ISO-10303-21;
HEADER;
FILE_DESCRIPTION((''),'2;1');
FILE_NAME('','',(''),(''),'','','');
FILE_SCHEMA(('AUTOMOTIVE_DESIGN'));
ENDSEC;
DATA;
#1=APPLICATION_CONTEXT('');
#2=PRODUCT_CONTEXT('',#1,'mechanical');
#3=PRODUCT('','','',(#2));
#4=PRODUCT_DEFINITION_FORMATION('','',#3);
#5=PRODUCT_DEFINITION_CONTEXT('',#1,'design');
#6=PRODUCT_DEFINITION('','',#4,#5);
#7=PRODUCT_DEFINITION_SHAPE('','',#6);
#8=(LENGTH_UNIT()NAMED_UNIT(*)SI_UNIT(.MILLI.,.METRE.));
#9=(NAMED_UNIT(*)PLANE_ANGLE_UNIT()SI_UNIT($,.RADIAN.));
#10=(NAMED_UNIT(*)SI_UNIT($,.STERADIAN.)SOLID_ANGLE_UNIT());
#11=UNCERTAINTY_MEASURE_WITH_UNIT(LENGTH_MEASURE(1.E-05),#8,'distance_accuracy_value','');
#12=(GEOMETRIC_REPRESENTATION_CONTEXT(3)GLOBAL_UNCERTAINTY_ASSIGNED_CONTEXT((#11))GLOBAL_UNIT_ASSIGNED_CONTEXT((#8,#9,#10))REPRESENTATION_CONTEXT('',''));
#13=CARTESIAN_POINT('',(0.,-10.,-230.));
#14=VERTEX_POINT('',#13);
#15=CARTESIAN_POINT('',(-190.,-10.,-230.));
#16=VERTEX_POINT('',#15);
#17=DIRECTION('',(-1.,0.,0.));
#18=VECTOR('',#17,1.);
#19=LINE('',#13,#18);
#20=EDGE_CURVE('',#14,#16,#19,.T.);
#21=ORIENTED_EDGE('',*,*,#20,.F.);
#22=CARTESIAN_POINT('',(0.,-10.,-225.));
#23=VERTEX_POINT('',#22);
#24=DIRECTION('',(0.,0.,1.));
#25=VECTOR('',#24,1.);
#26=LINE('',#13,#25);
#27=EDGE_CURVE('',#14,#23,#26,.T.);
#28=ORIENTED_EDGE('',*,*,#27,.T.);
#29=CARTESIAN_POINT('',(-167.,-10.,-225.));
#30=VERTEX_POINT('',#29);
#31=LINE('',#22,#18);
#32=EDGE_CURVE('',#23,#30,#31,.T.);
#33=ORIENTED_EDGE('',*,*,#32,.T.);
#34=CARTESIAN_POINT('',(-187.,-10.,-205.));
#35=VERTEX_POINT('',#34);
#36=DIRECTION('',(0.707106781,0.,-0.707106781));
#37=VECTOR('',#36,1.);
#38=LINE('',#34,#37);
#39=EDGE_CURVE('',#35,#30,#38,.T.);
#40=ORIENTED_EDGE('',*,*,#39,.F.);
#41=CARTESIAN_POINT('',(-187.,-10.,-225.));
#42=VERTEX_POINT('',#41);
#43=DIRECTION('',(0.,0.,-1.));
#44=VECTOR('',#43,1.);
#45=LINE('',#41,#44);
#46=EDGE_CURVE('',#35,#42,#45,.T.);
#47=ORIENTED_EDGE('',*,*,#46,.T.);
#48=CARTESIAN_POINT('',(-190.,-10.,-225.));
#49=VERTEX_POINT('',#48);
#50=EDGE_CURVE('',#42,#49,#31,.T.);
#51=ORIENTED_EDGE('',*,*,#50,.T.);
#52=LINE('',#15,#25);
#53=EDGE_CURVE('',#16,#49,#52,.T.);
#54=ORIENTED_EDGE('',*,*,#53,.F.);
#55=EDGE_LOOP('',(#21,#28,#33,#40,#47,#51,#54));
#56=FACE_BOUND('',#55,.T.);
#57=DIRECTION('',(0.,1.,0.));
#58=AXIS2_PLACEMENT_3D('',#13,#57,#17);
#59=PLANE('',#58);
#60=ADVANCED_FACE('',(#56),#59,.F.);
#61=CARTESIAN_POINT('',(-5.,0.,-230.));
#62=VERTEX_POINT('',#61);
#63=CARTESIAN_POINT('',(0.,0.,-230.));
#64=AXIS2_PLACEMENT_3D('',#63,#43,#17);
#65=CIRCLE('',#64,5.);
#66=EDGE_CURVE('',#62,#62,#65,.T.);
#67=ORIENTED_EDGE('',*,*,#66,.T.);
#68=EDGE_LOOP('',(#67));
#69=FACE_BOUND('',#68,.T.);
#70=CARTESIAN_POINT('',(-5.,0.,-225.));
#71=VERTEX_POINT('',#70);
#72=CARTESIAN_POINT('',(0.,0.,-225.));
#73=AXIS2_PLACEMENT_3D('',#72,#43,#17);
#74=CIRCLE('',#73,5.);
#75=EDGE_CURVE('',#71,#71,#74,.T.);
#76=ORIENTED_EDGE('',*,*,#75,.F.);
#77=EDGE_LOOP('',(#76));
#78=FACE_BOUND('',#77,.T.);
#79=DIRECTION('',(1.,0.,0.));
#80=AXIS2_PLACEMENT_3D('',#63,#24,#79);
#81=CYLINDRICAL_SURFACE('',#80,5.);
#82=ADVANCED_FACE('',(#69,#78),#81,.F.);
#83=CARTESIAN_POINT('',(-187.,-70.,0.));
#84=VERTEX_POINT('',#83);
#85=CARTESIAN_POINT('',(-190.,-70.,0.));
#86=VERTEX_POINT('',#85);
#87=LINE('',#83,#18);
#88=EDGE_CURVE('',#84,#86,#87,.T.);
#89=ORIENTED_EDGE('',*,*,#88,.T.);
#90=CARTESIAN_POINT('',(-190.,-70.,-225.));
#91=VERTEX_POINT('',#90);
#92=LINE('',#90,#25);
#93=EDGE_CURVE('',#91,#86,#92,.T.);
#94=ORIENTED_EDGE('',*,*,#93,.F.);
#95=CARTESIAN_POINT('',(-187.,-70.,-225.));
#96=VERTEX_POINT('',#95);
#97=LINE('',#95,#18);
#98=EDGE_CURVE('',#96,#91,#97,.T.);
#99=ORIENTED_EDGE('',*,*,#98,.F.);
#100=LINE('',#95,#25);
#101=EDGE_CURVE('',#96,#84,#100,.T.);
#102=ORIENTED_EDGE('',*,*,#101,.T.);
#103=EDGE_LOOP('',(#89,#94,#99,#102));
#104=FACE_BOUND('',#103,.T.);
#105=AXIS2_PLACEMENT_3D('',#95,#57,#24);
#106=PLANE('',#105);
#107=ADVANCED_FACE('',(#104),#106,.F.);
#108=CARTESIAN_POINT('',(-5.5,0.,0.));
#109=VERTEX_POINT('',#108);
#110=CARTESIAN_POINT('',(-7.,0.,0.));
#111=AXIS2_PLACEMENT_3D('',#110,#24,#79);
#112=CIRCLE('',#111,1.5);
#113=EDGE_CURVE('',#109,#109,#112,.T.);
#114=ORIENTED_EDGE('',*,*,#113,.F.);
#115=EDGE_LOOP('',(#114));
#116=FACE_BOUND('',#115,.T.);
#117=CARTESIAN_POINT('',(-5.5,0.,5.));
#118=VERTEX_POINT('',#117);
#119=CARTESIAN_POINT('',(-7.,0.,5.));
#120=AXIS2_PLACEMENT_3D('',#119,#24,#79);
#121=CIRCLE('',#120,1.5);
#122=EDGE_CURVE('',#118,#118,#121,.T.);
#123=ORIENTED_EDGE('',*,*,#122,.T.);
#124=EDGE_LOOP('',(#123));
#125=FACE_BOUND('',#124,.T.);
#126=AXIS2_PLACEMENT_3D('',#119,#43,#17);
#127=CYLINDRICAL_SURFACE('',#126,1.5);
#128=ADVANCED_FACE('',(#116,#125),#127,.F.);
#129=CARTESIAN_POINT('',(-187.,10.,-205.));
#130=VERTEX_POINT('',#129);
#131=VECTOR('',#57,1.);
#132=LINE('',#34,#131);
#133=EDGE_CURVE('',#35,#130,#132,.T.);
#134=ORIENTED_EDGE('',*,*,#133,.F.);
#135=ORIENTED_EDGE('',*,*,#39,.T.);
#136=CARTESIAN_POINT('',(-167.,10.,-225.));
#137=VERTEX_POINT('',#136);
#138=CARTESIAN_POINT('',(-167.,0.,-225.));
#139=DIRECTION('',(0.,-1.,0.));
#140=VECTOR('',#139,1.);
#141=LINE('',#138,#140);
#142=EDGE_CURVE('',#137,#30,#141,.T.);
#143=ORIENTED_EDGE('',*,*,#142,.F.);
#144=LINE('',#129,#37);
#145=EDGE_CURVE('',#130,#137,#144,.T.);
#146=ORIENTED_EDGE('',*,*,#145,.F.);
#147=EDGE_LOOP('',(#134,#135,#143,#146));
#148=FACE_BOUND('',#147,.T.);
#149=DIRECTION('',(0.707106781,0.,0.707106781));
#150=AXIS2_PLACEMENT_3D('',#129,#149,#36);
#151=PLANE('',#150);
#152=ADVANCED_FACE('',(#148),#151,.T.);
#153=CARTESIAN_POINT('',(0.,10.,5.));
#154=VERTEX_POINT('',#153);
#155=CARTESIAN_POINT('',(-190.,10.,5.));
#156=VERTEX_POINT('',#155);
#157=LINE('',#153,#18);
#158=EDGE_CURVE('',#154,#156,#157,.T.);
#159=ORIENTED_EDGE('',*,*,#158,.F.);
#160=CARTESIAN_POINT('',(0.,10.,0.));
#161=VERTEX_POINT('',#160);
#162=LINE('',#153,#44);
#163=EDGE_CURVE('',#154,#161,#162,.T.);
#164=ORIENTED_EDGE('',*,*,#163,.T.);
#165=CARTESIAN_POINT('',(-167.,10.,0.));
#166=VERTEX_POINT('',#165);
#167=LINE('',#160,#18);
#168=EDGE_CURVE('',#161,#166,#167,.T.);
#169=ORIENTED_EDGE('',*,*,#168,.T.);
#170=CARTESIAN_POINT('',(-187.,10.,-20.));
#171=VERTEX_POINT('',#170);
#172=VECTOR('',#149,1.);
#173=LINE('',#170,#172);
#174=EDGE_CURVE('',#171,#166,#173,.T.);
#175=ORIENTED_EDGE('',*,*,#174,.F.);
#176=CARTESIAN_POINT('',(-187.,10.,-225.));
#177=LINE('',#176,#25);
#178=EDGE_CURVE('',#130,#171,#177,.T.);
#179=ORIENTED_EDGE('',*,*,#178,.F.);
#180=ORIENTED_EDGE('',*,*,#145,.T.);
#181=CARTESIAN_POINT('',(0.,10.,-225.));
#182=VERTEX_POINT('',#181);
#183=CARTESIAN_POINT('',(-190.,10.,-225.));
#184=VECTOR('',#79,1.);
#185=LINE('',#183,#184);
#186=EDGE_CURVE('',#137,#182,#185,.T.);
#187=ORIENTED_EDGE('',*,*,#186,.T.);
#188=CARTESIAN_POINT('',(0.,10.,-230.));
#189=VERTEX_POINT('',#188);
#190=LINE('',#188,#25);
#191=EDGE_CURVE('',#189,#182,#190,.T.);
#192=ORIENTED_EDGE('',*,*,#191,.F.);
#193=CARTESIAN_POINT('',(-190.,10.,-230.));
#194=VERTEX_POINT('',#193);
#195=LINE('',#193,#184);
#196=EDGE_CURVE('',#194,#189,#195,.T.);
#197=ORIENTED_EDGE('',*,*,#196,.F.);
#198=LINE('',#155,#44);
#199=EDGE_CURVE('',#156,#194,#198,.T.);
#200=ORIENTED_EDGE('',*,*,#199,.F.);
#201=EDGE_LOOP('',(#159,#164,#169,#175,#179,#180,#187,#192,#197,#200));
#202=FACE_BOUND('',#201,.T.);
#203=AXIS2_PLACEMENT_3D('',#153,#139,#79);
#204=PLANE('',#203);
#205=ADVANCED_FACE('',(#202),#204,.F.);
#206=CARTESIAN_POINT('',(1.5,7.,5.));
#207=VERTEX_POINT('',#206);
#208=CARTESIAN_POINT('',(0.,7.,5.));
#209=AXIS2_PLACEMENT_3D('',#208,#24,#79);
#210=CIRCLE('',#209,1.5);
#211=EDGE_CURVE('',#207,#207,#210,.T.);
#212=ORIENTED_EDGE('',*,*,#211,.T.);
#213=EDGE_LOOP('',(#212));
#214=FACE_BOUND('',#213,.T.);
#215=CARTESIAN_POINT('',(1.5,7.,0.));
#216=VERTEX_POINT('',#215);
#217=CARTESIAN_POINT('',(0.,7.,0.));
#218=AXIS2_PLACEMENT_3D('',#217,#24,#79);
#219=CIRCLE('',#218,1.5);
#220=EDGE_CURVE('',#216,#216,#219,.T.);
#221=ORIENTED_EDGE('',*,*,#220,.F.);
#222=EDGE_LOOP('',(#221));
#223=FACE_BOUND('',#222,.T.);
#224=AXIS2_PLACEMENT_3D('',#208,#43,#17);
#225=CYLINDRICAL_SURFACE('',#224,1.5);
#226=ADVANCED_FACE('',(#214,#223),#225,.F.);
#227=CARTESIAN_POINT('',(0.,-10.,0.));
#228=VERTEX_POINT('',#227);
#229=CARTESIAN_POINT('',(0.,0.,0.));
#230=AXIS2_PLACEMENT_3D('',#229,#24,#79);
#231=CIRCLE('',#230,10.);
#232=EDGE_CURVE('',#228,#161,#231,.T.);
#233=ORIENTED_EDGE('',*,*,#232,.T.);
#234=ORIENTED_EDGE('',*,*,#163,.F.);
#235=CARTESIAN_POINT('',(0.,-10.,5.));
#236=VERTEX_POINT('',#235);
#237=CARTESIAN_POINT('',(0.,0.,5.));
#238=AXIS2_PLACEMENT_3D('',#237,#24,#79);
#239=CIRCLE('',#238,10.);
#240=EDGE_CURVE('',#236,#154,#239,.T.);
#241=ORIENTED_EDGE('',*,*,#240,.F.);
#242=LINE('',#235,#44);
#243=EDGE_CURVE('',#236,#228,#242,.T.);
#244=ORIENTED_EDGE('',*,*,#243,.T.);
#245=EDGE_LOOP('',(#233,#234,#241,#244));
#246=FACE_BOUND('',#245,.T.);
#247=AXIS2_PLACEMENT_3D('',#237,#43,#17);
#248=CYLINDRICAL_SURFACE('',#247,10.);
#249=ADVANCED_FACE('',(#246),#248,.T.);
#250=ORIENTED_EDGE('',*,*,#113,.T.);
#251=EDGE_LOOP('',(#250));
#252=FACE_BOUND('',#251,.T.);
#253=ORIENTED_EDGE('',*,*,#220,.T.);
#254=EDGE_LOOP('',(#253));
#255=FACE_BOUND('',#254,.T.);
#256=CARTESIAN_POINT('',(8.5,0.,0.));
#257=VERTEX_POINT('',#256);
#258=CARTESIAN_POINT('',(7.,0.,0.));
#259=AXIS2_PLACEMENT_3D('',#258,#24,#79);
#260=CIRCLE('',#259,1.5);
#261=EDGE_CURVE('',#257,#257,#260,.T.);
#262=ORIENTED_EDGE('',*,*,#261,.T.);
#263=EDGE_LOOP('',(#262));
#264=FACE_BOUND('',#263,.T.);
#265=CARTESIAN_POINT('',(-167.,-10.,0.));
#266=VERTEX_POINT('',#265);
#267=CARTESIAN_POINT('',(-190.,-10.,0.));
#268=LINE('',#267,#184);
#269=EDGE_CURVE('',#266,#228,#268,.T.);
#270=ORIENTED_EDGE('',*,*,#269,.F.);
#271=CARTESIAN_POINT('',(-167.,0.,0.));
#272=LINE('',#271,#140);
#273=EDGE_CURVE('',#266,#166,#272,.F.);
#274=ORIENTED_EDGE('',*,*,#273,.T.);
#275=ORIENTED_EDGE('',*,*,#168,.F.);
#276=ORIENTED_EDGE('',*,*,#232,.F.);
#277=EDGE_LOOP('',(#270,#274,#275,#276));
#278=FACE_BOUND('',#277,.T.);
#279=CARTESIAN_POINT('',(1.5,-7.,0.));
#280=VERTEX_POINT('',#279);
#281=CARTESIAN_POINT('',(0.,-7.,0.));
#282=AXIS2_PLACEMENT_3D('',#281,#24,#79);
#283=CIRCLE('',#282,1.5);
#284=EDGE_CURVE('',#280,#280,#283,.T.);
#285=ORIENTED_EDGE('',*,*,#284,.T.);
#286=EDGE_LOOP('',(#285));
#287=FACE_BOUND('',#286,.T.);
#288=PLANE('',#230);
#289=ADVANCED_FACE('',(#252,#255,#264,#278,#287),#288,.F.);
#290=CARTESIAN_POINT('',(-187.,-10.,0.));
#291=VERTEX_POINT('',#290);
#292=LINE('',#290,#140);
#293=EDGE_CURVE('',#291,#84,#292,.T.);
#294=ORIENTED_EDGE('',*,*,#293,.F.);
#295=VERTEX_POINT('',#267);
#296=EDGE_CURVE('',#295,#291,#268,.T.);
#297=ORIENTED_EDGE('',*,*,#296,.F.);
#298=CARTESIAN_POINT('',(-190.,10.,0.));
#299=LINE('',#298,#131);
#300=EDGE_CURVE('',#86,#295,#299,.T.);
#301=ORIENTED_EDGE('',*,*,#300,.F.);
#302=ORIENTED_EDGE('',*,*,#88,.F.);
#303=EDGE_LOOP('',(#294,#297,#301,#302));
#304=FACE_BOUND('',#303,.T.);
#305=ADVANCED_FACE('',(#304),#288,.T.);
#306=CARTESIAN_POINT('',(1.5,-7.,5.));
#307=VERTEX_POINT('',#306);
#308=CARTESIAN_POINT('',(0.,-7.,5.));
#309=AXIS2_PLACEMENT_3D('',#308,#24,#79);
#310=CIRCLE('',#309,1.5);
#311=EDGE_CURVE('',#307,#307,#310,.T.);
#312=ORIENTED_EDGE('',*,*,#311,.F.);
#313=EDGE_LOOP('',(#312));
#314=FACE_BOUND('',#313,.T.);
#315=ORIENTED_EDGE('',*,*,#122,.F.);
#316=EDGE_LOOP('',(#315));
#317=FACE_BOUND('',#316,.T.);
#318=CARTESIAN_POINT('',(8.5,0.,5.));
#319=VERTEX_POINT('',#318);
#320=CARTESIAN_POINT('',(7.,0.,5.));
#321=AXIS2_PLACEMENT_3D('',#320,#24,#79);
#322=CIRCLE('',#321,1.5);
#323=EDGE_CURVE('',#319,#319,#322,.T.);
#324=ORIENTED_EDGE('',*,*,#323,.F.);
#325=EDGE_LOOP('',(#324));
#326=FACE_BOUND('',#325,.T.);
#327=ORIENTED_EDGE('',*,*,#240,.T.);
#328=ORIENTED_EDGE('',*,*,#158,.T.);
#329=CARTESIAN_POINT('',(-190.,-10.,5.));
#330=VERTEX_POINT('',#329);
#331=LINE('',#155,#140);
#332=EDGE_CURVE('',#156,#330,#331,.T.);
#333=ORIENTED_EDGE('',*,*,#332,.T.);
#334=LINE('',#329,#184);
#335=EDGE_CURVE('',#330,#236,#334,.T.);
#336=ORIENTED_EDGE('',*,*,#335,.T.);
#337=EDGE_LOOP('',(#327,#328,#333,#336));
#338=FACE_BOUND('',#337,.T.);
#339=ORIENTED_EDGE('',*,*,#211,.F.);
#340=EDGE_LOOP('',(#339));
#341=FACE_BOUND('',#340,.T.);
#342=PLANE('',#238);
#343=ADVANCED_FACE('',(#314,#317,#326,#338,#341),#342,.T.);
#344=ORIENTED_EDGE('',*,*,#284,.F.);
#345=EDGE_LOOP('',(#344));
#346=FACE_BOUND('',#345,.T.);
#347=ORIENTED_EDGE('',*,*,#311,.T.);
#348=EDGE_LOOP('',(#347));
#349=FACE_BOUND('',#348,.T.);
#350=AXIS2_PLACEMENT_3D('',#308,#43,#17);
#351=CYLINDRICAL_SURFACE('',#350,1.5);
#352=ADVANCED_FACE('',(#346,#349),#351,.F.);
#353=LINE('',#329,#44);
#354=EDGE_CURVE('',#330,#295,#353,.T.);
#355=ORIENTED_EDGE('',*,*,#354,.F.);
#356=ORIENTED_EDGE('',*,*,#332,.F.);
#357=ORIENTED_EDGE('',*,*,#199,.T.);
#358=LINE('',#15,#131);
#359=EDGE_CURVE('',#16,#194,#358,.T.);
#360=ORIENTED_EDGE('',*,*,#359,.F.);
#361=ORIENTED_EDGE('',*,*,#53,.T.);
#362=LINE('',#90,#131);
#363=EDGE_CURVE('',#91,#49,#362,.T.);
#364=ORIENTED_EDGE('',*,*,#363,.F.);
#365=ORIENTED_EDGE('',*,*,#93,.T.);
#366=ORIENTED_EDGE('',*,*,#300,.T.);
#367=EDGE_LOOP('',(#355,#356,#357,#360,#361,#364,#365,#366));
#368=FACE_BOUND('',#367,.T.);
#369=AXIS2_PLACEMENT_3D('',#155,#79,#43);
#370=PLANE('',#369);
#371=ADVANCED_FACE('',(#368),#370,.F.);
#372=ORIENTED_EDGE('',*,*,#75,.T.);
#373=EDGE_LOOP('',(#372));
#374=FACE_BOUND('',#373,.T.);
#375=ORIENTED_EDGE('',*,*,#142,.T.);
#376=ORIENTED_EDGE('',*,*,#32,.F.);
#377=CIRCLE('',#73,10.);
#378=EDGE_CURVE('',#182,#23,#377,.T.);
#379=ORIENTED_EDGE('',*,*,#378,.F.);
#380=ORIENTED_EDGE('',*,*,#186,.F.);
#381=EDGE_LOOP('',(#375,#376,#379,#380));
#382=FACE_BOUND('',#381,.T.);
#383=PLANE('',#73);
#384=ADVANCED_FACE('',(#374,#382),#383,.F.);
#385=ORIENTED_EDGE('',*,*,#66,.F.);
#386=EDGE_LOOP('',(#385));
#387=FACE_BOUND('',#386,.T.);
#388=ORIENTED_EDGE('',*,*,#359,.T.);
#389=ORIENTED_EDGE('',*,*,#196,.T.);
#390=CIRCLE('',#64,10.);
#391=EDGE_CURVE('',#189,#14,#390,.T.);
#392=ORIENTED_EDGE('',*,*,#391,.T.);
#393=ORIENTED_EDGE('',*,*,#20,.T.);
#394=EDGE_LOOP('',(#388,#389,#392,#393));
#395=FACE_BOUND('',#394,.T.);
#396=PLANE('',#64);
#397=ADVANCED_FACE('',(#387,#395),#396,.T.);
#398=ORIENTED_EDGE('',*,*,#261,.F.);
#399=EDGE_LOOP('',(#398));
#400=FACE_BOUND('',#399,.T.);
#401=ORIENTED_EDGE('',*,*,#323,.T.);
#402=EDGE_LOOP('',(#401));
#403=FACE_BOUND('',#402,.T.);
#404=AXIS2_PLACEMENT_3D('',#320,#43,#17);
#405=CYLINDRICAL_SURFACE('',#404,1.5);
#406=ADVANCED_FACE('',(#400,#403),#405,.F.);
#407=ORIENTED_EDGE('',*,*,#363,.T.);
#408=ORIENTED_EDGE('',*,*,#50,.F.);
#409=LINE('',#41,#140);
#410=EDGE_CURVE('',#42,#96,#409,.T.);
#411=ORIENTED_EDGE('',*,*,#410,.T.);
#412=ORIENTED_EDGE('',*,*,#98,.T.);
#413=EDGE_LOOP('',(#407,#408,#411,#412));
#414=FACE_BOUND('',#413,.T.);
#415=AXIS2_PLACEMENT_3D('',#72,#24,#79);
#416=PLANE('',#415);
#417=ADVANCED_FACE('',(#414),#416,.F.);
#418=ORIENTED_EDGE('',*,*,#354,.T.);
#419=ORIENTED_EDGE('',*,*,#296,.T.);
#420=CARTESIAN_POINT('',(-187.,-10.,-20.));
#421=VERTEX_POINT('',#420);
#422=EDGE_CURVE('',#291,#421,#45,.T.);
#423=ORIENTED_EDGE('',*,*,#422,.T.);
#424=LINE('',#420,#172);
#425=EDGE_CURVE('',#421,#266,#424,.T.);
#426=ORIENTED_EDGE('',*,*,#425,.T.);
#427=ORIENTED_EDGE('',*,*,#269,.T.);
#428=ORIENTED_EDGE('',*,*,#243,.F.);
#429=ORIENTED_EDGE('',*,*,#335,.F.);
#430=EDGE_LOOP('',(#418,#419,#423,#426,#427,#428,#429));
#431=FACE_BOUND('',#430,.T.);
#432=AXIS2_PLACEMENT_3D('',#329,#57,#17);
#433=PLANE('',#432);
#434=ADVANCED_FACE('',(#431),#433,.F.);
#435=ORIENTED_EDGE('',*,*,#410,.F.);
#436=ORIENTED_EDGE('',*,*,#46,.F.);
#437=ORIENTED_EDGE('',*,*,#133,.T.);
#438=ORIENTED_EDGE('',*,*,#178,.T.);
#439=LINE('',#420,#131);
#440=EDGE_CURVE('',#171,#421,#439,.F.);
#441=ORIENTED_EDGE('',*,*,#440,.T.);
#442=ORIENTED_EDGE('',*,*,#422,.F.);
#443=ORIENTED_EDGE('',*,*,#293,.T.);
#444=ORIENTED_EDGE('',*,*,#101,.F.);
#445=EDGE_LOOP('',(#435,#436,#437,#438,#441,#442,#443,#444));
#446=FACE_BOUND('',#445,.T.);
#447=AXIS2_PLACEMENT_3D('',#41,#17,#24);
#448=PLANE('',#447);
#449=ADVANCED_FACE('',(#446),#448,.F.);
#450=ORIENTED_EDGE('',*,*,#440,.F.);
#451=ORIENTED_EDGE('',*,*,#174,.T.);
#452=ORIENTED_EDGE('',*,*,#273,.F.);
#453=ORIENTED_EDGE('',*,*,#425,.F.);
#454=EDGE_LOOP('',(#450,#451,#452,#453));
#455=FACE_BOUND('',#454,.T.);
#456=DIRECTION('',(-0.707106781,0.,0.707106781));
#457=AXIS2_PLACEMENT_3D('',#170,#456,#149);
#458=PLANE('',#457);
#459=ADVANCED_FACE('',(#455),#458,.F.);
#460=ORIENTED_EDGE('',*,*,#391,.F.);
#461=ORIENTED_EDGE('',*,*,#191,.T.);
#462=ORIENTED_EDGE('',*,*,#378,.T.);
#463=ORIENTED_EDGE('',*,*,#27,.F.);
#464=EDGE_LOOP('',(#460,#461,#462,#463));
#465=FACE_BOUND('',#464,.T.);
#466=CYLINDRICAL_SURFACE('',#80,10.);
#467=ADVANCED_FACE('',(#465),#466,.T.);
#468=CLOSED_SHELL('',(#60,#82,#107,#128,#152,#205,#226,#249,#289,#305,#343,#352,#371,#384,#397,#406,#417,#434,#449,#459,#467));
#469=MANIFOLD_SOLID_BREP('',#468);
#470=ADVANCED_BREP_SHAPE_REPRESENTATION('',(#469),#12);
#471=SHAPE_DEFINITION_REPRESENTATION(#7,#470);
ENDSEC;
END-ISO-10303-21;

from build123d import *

# Parameters (mm, degrees)
SKETCH_1_R      = 1.5
EXTRUDE_1_DEPTH = 5
EXTRUDE_2_DEPTH = 225
RIB_1_REACH     = 307.164
SKETCH_3_WALL_W = 640.612052034
SKETCH_3_WALL_H = 20
SKETCH_4_R      = 5
EXTRUDE_3_DEPTH = 5


with BuildPart() as part:
    # 草图1 → 凸台-拉伸1 (new body)
    with BuildSketch(Plane.XY):
        with BuildLine():
            Line((0, 10), (-190, 10))
            Line((-190, 10), (-190, -10))
            Line((-190, -10), (0, -10))
            ThreePointArc((0, -10), (10, 0), (0, 10))
        make_face()
        with Locations((7, 0)):
            Circle(SKETCH_1_R, mode=Mode.SUBTRACT)
        with Locations((0, -7)):
            Circle(SKETCH_1_R, mode=Mode.SUBTRACT)
        with Locations((-7, 0)):
            Circle(SKETCH_1_R, mode=Mode.SUBTRACT)
        with Locations((0, 7)):
            Circle(SKETCH_1_R, mode=Mode.SUBTRACT)
    extrude(amount=EXTRUDE_1_DEPTH)

    # 草图2 → 凸台-拉伸2 (add)
    with BuildSketch(Plane(origin=(0, 0, 0), x_dir=(-1, 0, 0), z_dir=(0, 0, -1))):
        Polygon((190, 10), (190, -10), (190, -70), (187, -70), (187, -10), (187, 10), align=None)
    extrude(amount=EXTRUDE_2_DEPTH)

    # 草图3 wall → 筋1 (add, up to next)
    with BuildSketch(Plane(origin=(-177, 10, -10), x_dir=(0.707106781187, 0, 0.707106781187), z_dir=(0.707106781187, 0, -0.707106781187)), mode=Mode.PRIVATE) as rib_1_sk1:
        with Locations((0, 10)):
            Rectangle(SKETCH_3_WALL_W, SKETCH_3_WALL_H)
    rib_1_tool1 = extrude(rib_1_sk1.sketch, amount=-RIB_1_REACH, mode=Mode.PRIVATE) - part.part
    rib_1 = rib_1_tool1.solids().sort_by_distance((-177, 10, -10))[0]
    add(rib_1)

    # 草图4 → 凸台-拉伸3 (add)
    with BuildSketch(Plane(origin=(0, 0, -225), x_dir=(-1, 0, 0), z_dir=(0, 0, -1))):
        with BuildLine():
            Line((190, -10), (190, 10))
            Line((190, 10), (0, 10))
            ThreePointArc((0, 10), (-10, 0), (0, -10))
            Line((0, -10), (190, -10))
        make_face()
        Circle(SKETCH_4_R, mode=Mode.SUBTRACT)
    extrude(amount=EXTRUDE_3_DEPTH)

    # 镜向1: 筋1 across plane
    add(rib_1.mirror(Plane.XY.offset(-112.5)))


solid = part.part
